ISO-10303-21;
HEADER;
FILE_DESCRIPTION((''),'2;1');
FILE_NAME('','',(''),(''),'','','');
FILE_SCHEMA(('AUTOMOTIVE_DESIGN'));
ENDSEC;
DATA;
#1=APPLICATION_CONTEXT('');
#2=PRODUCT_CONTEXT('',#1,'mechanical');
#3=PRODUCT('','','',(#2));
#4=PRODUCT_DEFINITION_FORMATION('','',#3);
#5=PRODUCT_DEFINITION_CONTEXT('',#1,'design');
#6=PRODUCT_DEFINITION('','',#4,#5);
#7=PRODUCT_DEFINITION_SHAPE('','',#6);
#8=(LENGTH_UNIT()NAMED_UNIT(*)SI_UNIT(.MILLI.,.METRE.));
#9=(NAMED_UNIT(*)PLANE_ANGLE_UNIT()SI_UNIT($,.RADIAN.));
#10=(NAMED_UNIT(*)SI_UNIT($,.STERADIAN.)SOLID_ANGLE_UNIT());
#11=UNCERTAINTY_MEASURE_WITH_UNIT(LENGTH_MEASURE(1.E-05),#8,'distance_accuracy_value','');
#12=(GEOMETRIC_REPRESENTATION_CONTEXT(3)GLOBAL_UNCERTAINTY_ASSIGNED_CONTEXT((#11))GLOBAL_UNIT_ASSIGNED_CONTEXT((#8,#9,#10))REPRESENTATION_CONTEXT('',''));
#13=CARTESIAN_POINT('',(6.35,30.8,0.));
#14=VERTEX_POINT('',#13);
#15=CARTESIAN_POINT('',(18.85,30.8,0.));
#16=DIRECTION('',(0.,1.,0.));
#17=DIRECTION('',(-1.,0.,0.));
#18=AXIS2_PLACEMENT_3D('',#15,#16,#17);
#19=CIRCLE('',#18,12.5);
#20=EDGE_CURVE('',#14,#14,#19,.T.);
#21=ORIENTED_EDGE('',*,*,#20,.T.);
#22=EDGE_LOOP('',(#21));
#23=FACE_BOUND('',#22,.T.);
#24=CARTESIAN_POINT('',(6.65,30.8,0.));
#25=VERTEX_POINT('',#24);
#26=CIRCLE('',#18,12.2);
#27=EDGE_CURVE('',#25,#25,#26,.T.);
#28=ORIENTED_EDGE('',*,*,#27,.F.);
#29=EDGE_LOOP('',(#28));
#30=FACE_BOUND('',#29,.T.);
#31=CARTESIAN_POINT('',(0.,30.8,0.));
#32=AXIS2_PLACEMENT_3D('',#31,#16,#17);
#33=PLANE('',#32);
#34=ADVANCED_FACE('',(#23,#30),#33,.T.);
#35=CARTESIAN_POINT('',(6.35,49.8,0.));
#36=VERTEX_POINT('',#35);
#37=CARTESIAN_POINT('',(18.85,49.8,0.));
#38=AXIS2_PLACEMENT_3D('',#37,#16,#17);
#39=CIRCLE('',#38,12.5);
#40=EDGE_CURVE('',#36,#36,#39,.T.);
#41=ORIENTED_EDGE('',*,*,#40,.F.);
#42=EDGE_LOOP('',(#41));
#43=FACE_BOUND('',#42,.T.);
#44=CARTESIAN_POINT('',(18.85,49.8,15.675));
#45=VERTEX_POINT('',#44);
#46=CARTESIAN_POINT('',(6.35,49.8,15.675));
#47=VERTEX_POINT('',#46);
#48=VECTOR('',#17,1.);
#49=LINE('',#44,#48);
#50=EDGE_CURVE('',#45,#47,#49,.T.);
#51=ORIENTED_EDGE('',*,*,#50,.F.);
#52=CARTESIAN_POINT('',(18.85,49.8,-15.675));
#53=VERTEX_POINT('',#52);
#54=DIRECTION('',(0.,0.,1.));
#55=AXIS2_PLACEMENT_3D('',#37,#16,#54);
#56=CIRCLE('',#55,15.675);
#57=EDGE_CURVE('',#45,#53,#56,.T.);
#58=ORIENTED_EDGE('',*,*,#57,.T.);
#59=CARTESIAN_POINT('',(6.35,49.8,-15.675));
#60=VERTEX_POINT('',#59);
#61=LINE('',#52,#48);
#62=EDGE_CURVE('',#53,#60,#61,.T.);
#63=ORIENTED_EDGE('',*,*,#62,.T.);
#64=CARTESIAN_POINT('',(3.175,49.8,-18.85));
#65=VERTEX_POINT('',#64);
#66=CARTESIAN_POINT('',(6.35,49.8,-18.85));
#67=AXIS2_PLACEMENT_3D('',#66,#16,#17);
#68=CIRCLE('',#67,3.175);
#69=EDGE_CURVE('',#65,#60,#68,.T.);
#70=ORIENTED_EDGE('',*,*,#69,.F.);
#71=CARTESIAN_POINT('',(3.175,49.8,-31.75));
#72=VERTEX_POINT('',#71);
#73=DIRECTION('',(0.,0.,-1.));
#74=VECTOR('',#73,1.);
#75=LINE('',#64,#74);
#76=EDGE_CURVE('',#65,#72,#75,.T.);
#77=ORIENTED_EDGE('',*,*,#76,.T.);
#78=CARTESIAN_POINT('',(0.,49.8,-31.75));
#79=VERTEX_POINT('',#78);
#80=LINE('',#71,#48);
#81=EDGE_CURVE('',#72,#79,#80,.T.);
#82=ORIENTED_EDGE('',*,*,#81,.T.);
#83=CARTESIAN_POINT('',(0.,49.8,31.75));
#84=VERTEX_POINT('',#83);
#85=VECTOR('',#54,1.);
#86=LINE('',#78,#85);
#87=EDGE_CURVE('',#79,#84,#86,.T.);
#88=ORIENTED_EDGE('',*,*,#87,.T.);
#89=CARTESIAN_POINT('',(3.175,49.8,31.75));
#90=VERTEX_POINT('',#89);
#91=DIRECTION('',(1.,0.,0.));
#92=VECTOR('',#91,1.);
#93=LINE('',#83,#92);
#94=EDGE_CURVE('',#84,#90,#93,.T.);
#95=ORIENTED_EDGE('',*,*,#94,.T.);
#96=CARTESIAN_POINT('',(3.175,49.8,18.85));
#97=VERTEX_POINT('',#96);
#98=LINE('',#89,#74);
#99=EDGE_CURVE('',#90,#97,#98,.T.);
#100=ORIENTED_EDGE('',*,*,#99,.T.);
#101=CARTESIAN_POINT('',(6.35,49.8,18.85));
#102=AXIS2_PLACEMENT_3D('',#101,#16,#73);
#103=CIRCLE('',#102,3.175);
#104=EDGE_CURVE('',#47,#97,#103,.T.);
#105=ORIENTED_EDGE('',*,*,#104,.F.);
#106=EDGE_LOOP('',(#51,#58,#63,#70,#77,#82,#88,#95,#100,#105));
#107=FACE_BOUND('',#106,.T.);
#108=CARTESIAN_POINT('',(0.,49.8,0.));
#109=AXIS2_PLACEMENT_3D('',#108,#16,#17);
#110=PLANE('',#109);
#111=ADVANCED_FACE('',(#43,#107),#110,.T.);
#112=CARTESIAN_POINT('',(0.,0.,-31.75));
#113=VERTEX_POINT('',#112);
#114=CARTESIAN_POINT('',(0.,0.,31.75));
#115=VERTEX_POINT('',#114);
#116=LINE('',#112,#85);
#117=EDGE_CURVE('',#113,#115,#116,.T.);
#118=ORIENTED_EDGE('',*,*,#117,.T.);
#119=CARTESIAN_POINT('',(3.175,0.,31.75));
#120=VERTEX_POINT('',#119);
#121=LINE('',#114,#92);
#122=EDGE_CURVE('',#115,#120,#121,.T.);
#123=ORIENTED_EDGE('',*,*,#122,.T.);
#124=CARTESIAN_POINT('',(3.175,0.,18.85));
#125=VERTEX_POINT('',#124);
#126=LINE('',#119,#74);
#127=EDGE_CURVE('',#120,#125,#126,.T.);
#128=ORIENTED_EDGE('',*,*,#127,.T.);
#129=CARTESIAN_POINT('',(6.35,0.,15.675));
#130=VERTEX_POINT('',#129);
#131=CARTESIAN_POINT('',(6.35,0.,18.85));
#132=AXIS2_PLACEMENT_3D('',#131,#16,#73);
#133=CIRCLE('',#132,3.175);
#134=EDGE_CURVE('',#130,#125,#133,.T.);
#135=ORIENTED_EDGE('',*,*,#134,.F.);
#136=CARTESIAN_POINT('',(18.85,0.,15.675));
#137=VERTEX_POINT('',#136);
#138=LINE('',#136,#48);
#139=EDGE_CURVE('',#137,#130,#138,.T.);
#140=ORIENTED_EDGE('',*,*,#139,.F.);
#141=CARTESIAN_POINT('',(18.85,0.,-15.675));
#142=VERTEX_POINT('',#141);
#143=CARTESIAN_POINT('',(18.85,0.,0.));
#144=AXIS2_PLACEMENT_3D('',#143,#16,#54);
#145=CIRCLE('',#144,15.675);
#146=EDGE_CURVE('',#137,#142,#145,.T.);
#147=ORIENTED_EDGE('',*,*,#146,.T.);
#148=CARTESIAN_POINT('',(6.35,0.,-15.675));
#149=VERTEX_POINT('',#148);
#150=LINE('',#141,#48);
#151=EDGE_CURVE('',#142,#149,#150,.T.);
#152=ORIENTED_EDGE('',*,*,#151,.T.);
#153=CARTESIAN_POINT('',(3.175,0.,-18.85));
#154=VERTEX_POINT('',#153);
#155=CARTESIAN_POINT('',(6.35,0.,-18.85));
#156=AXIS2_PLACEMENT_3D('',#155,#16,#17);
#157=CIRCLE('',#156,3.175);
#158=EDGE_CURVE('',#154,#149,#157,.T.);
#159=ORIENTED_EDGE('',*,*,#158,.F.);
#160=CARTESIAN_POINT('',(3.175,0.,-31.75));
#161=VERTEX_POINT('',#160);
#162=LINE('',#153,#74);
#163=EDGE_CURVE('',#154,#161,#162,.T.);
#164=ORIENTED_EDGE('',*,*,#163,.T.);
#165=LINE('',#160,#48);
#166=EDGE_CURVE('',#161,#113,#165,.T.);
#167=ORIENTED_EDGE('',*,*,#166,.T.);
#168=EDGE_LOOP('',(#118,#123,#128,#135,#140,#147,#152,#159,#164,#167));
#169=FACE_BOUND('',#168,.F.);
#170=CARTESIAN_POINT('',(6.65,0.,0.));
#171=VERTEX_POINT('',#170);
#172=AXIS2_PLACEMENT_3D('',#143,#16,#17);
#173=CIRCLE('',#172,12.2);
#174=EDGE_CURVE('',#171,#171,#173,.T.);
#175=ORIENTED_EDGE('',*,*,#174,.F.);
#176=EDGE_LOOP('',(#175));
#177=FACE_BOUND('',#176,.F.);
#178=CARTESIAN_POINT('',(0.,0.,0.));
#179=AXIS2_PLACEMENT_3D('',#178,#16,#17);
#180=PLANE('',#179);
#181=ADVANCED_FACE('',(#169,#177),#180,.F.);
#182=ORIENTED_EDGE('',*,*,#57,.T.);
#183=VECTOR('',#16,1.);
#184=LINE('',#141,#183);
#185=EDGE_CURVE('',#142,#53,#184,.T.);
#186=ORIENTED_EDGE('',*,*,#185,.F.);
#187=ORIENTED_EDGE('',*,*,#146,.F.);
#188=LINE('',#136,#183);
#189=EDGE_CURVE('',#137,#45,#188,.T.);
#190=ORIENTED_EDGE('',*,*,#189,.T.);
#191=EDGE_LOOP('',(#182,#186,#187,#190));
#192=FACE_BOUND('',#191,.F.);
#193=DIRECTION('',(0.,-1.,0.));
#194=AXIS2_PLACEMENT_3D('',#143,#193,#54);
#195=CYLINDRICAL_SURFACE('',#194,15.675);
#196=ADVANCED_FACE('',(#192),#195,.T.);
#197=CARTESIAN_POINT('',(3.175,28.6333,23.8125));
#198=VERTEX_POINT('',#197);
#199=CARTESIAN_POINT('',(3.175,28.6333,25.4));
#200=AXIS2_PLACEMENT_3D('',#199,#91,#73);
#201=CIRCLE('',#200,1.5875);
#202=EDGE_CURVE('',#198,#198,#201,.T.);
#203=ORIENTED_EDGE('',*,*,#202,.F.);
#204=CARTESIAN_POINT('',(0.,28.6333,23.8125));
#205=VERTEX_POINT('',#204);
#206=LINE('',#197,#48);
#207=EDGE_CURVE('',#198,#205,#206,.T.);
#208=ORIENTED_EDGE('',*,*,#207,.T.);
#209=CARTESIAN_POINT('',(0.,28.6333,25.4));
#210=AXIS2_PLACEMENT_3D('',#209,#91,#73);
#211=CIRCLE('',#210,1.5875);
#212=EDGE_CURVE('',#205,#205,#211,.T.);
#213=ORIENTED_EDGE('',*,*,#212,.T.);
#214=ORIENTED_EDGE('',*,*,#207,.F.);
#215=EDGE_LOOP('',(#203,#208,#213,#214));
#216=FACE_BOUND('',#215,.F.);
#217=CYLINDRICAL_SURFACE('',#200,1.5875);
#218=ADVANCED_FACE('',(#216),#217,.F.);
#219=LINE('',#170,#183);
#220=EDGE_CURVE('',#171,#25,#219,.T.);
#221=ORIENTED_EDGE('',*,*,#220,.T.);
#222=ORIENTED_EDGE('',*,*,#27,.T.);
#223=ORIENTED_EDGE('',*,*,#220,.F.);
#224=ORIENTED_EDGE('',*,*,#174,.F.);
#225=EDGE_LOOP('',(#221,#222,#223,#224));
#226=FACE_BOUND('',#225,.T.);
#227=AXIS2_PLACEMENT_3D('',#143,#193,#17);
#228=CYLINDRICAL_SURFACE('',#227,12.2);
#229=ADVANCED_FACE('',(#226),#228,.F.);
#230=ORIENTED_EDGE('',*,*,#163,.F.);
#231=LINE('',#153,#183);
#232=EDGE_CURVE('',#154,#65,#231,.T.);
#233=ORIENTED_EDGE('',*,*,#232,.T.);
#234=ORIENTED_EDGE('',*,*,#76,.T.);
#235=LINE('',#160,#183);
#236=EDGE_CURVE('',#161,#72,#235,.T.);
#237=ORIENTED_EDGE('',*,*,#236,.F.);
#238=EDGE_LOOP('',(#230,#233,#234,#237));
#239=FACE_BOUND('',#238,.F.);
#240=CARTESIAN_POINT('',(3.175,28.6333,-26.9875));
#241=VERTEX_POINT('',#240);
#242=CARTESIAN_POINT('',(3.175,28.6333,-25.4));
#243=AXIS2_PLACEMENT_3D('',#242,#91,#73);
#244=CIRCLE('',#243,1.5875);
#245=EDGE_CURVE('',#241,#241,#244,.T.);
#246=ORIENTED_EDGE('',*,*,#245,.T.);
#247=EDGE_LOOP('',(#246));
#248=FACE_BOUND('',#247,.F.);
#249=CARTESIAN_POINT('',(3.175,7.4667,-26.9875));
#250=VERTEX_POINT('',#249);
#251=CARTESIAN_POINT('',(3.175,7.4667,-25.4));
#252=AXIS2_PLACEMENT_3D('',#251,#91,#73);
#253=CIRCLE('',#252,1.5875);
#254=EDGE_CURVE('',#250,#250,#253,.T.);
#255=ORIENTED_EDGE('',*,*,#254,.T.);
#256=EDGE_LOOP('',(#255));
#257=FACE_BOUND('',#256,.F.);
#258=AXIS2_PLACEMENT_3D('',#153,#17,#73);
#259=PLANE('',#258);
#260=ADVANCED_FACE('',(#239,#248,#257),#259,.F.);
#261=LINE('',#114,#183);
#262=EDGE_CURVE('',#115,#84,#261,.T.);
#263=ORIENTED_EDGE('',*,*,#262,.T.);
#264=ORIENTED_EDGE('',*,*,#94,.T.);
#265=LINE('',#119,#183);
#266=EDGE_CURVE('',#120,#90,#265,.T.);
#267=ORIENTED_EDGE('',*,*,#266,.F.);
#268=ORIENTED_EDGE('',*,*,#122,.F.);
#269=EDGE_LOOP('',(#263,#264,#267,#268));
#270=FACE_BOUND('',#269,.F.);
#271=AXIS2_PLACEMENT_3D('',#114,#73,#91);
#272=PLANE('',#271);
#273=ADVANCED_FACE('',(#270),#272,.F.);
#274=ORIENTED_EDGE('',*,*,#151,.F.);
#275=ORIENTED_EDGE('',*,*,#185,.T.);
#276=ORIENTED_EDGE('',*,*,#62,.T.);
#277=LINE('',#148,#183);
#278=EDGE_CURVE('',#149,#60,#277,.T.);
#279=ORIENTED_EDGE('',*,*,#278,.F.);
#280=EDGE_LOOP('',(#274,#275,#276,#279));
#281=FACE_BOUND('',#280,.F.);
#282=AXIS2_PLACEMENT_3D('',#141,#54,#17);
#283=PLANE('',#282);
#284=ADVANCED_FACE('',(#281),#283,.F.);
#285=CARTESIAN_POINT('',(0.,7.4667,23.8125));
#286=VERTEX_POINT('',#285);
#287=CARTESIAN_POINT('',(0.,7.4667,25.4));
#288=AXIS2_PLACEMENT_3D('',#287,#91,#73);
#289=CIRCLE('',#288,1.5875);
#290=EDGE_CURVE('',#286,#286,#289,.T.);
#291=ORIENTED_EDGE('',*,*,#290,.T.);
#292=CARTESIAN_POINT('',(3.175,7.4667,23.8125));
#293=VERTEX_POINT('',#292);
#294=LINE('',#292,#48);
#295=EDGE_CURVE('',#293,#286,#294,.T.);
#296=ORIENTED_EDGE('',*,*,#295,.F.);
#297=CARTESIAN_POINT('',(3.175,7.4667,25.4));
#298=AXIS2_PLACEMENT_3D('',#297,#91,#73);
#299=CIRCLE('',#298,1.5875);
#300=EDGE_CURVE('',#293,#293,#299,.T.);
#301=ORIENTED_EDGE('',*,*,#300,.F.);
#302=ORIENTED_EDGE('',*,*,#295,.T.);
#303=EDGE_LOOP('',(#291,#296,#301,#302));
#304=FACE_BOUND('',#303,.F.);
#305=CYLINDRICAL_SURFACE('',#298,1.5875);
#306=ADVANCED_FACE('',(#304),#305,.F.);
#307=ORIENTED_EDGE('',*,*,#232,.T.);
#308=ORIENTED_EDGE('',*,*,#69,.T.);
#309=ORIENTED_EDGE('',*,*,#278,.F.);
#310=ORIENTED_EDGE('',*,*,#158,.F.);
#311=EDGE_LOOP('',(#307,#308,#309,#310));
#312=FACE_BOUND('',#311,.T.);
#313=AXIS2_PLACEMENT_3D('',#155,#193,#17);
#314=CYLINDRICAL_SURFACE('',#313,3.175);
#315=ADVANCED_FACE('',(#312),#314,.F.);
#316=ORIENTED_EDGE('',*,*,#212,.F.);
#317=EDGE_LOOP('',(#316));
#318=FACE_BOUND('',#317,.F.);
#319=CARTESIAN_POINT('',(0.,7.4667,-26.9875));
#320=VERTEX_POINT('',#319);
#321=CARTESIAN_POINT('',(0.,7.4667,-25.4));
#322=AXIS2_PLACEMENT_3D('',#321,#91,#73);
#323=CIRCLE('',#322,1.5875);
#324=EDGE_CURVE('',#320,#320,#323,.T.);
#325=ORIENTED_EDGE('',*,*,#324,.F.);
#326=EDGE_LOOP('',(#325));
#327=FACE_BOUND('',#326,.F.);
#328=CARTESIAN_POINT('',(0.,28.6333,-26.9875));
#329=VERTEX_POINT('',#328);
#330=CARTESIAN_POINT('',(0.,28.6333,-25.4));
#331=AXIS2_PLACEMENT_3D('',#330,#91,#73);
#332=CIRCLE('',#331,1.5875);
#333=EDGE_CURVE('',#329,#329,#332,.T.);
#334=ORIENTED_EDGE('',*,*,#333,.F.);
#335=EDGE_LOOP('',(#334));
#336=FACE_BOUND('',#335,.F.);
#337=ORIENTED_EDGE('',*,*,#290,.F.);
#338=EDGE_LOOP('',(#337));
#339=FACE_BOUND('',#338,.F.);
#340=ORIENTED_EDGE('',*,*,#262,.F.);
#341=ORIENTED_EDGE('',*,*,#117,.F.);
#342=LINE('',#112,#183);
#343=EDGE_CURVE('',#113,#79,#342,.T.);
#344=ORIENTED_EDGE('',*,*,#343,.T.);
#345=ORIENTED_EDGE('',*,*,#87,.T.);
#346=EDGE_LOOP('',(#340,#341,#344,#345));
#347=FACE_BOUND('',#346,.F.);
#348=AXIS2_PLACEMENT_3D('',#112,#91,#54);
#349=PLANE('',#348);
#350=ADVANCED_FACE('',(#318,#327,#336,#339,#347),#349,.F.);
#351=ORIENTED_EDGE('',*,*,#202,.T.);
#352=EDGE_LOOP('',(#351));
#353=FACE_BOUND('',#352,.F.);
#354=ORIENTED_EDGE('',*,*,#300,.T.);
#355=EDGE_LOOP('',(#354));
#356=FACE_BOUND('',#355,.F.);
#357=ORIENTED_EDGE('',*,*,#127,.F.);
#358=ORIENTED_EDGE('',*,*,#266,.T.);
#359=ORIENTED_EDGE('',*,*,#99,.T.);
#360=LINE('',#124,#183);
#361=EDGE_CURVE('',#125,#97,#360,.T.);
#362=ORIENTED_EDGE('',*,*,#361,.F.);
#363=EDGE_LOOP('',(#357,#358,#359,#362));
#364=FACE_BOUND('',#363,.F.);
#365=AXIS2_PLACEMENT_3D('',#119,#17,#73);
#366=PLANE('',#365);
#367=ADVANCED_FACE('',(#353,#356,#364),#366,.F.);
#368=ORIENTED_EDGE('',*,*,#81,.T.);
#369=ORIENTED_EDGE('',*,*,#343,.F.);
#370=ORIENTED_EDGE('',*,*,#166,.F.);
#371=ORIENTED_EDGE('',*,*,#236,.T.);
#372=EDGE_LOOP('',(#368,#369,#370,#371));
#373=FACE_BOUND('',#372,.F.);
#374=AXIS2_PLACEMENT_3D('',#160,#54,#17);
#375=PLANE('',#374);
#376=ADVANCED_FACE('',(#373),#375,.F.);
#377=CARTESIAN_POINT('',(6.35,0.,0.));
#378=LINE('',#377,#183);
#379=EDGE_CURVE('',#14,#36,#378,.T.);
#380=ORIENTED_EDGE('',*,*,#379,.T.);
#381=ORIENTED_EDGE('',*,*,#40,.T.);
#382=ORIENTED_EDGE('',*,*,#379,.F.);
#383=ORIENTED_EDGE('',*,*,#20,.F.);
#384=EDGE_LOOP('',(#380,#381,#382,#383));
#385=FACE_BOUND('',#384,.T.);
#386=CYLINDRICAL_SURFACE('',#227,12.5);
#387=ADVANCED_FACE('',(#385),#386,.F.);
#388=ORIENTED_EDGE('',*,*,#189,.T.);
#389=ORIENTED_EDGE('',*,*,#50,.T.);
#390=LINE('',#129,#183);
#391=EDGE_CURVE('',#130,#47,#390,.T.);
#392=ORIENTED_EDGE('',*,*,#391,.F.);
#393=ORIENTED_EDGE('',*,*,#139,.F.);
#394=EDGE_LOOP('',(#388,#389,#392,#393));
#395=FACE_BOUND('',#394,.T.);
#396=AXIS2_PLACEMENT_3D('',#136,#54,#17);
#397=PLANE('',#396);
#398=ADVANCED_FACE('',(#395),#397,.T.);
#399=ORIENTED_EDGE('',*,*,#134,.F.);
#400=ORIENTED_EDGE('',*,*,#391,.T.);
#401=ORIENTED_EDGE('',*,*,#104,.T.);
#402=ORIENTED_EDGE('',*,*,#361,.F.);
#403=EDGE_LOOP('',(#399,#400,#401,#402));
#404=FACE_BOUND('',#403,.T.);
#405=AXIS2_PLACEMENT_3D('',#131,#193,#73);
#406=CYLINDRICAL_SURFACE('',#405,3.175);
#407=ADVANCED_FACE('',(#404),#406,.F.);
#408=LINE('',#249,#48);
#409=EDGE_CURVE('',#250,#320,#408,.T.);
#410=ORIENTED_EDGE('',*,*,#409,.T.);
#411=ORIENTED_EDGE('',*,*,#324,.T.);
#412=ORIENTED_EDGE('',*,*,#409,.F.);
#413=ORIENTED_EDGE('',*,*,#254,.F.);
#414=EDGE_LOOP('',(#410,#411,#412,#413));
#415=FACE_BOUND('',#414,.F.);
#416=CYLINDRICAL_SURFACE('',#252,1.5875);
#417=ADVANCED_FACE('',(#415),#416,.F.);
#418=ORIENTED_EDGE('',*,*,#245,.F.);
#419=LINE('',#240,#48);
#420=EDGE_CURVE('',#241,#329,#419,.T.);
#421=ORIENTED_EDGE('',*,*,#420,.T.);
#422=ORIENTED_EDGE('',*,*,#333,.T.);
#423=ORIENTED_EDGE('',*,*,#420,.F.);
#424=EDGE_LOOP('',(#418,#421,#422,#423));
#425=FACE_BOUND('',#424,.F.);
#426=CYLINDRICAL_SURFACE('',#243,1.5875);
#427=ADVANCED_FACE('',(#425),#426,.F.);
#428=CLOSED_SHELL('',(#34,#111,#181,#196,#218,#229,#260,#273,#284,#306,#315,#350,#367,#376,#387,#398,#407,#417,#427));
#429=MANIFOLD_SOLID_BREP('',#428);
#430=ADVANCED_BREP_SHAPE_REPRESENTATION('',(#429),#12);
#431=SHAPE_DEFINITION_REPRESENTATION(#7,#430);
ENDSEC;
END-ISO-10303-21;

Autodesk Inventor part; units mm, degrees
ref_plane "YZ Plane" through (0, 0, 0) normal (1, 0, 0) x (0, 1, 0)
ref_plane "XZ Plane" through (0, 0, 0) normal (0, 1, 0) x (-1, 0, 0)
ref_plane "XY Plane" through (0, 0, 0) normal (0, 0, 1) x (1, 0, 0)
sketch "Sketch1" plane through (0, 0, 0) normal (0, 1, 0) x (-1, 0, 0)
  line L0 (0, 31.75) -> (-3.175, 31.75)
  line L1 (-3.175, -31.75) -> (0, -31.75)
  line L2 (0, -31.75) -> (0, 31.75)
  circle A0 centre (-18.85, 0) radius 12.5
  circle A1 centre (-18.85, 0) radius 12.2
  arc A2 (-18.85, 15.675) -> (-18.85, -15.675) centre (-18.85, 0) ccw
  line L3 (-18.85, 15.675) -> (-6.35, 15.675)
  line L4 (-18.85, -15.675) -> (-6.35, -15.675)
  line L5 (-3.175, 31.75) -> (-3.175, 18.85)
  line L6 (-3.175, -18.85) -> (-3.175, -31.75)
  arc A3 (-6.35, 15.675) -> (-3.175, 18.85) centre (-6.35, 18.85) ccw
  arc A4 (-3.175, -18.85) -> (-6.35, -15.675) centre (-6.35, -18.85) ccw
  point P0 (0, 0)
  dimension "d0" = 3.175
  dimension "d1" = 63.5
  dimension "d4" = 25
  dimension "d6" = 24.4
  dimension "d7" = 31.35
  dimension "d8" = 3.175
  dimension "d26" = 3.175
  dimension "d27" = 18.85
extrude "Extrusion1" add sketch "Sketch1" along normal blind 49.8 contours L2 L1 L6 A4 L4 A2 L3 A3 L5 L0
extrude "Extrusion2" add sketch "Sketch1" along normal blind 30.8 contours A0
sketch "Sketch2" plane through (3.175, 0, 31.75) normal (1, 0, 0) x (0, 0, -1)
  line L0 (63.5, 0) -> (63.5, 49.8) projected
  line L1 (0, 0) -> (0, 49.8) projected
  circle A0 centre (6.35, 28.6333) radius 1.5875
  circle A1 centre (6.35, 7.4667) radius 1.5875
  line L2 (0, 49.8) -> (12.9, 49.8) projected
  line L3 (31.75, 0) -> (31.75, 49.8)
  line L4 (19.25, 49.8) -> (44.25, 49.8) projected
  circle A2 centre (57.15, 28.6333) radius 1.5875
  circle A3 centre (57.15, 7.4667) radius 1.5875
  dimension "d14" = 63.5
  dimension "d16" = 3.175
  dimension "d17" = 3.175
  dimension "d18" = 21.1667
  dimension "d19" = 21.1667
  dimension "d20" = 0
  dimension "d21" = 6.35
  dimension "d22" = 31.75
extrude "Extrusion3" cut sketch "Sketch2" against normal blind 3.175
properties part number "Motor_Mount_3DPrint"
